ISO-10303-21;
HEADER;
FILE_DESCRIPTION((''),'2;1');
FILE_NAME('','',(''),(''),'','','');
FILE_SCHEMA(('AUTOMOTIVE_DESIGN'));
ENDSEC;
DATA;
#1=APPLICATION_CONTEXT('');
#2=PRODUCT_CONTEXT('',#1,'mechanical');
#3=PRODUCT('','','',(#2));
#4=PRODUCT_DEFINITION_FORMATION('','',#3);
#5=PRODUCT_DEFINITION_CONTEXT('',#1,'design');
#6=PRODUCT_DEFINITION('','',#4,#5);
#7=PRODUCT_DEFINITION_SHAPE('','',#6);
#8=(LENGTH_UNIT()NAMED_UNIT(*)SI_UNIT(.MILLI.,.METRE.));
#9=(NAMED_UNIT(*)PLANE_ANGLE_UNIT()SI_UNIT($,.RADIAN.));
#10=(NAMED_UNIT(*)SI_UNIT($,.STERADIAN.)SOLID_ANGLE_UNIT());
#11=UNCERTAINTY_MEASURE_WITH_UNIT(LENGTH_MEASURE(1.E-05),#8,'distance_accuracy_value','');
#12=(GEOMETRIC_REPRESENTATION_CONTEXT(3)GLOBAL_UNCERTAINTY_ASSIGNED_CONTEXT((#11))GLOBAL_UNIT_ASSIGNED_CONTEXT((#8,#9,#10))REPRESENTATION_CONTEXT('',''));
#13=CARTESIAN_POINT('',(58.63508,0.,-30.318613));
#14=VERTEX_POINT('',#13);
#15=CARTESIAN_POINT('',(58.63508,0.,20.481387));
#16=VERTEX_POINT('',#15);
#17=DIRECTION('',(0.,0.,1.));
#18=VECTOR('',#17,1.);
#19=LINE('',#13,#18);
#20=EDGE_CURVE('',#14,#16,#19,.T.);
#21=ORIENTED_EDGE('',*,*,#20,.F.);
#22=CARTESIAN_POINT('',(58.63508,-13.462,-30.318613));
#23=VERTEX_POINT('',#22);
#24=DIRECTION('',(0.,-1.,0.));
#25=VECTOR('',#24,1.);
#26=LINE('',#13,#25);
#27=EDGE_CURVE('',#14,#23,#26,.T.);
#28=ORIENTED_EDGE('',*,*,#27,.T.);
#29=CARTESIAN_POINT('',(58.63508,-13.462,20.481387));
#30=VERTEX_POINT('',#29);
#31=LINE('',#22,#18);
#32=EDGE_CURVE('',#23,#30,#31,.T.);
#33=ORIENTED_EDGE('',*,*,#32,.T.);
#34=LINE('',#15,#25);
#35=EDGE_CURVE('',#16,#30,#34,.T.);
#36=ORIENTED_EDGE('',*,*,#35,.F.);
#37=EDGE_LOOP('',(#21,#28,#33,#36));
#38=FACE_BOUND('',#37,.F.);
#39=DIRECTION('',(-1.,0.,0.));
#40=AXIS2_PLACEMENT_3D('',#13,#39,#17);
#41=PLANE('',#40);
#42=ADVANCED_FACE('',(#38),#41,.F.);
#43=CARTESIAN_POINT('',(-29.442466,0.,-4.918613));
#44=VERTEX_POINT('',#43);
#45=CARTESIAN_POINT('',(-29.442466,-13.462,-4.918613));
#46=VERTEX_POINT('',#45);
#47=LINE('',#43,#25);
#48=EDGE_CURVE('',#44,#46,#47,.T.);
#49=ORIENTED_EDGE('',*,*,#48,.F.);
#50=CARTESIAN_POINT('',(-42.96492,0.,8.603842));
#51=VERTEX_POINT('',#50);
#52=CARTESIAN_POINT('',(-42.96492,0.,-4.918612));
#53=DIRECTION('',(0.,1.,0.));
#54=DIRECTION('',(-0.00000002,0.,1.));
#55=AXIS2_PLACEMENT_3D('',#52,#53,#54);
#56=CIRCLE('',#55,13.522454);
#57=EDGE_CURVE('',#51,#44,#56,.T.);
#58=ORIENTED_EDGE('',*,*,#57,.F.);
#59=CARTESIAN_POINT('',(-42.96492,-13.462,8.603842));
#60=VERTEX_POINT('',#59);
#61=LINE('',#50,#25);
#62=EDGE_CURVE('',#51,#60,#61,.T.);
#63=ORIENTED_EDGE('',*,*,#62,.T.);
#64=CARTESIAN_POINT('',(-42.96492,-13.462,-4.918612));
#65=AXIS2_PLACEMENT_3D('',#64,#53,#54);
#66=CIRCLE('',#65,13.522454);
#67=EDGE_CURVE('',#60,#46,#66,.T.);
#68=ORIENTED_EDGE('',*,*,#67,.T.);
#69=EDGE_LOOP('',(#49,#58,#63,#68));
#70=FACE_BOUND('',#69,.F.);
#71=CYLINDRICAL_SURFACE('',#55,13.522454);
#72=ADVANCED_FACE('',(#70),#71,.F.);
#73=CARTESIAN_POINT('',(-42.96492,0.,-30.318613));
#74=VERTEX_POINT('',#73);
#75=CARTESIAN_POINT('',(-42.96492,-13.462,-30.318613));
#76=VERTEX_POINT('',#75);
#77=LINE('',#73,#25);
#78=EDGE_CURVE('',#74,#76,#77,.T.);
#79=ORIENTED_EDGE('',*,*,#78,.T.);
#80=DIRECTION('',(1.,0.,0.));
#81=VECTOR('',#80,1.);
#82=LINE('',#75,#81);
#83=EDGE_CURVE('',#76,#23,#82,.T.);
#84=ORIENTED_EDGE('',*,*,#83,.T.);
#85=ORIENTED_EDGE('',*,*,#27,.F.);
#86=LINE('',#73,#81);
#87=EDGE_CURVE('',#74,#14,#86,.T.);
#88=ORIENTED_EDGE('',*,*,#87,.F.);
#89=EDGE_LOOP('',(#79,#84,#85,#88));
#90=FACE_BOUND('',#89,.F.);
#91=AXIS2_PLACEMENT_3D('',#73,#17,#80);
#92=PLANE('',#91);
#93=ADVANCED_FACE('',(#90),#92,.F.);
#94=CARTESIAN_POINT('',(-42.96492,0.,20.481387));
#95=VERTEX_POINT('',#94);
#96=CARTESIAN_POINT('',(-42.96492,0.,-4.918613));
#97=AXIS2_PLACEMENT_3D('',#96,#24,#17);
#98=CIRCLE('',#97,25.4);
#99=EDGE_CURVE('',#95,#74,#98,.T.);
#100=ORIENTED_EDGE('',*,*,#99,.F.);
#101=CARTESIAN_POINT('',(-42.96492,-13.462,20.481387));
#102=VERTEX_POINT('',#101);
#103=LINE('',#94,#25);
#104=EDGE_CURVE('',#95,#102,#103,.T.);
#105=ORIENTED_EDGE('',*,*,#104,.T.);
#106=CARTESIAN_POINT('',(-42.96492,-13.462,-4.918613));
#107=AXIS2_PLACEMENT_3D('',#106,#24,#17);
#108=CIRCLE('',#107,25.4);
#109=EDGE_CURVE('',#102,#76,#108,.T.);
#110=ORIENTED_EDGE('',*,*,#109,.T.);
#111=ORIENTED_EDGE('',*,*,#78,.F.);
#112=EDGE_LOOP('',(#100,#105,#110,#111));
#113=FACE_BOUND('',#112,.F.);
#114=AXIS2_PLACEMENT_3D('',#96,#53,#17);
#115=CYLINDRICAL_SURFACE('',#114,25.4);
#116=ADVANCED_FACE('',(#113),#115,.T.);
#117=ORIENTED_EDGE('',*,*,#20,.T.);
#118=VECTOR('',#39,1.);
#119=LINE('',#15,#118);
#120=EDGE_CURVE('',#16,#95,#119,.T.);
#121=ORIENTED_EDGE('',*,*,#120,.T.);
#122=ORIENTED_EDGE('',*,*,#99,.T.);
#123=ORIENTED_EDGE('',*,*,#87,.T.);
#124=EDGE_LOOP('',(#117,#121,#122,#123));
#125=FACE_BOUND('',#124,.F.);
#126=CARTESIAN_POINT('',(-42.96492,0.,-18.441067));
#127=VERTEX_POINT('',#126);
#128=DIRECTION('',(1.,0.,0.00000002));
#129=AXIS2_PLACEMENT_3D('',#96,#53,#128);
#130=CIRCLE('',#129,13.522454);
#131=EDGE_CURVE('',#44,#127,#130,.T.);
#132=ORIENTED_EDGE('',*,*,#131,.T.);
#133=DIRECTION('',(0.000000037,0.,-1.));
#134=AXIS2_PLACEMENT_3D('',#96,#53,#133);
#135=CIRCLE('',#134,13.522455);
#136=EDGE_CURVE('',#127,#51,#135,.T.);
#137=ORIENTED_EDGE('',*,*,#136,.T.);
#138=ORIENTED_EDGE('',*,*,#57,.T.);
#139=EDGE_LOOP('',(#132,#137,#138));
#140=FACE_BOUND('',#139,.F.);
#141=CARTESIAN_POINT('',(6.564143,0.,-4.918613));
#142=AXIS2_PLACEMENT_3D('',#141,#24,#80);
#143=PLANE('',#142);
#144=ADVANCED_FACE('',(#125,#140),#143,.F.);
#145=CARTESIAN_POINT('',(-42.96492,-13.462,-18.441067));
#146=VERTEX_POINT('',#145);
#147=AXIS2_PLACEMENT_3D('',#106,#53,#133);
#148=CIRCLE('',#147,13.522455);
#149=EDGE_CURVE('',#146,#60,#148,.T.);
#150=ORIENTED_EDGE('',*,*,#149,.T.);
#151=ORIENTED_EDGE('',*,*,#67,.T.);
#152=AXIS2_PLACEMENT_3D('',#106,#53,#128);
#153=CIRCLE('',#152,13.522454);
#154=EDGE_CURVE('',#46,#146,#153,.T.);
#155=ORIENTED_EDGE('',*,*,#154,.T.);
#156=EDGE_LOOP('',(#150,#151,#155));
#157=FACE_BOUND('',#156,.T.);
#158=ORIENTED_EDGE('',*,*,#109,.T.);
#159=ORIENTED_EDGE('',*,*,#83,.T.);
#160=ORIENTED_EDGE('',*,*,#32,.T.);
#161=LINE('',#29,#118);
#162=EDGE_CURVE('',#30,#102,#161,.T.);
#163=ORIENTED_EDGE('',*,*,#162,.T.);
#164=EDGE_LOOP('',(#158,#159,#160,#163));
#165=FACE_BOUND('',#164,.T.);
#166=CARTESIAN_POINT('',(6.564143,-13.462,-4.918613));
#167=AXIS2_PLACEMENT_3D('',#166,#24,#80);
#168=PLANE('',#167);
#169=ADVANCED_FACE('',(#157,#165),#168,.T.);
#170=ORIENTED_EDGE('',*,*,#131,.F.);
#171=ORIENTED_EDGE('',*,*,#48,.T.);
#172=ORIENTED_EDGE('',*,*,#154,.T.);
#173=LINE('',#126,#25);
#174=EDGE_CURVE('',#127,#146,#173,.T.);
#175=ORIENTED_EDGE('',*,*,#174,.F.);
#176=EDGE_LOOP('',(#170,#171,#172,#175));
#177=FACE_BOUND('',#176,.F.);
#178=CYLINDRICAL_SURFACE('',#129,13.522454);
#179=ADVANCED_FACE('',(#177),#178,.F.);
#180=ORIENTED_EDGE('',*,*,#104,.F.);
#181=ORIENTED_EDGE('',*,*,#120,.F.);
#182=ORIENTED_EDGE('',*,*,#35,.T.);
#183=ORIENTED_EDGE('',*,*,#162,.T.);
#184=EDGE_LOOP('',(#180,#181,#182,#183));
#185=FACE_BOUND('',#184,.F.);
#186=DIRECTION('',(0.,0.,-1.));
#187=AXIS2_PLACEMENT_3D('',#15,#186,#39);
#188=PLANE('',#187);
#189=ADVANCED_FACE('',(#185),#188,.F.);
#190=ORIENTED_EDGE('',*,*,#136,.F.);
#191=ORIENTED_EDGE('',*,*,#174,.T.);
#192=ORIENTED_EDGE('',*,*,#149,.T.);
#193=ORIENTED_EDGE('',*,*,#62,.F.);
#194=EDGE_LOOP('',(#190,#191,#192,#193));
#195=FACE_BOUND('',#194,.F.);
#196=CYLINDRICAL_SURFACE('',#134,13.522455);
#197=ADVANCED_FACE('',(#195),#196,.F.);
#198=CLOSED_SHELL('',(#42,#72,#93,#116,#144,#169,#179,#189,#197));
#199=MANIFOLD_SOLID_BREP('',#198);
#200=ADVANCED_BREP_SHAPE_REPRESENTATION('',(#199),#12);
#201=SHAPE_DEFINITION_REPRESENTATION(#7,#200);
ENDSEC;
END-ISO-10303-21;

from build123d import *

# Parameters (mm, degrees)
F2_DEPTH = 13.462


with BuildPart() as f2:
    # F0 (on Front) → F2 (new body)
    with BuildSketch(Plane.XZ):
        with BuildLine():
            Line((-42.96492, -18.441067), (-42.96492, -30.318613))
            Line((-42.96492, -30.318613), (58.63508, -30.318613))
            Line((58.63508, -30.318613), (58.63508, 20.481387))
            Line((58.63508, 20.481387), (-42.96492, 20.481387))
            Line((-42.96492, 20.481387), (-42.96492, 8.603842))
            ThreePointArc((-42.96492, 8.603842), (-33.403101, 4.643207), (-29.442466, -4.918613))
            ThreePointArc((-29.442466, -4.918613), (-33.403101, -14.480432), (-42.96492, -18.441067))
        make_face()
        with BuildLine():
            ThreePointArc((-42.96492, 20.481387), (-68.36492, -4.918613), (-42.96492, -30.318613))
            Line((-42.96492, -30.318613), (-42.96492, -18.441067))
            ThreePointArc((-42.96492, -18.441067), (-56.487375, -4.918613), (-42.96492, 8.603842))
            Line((-42.96492, 8.603842), (-42.96492, 20.481387))
        make_face()
    extrude(amount=F2_DEPTH)


solid = f2.part
